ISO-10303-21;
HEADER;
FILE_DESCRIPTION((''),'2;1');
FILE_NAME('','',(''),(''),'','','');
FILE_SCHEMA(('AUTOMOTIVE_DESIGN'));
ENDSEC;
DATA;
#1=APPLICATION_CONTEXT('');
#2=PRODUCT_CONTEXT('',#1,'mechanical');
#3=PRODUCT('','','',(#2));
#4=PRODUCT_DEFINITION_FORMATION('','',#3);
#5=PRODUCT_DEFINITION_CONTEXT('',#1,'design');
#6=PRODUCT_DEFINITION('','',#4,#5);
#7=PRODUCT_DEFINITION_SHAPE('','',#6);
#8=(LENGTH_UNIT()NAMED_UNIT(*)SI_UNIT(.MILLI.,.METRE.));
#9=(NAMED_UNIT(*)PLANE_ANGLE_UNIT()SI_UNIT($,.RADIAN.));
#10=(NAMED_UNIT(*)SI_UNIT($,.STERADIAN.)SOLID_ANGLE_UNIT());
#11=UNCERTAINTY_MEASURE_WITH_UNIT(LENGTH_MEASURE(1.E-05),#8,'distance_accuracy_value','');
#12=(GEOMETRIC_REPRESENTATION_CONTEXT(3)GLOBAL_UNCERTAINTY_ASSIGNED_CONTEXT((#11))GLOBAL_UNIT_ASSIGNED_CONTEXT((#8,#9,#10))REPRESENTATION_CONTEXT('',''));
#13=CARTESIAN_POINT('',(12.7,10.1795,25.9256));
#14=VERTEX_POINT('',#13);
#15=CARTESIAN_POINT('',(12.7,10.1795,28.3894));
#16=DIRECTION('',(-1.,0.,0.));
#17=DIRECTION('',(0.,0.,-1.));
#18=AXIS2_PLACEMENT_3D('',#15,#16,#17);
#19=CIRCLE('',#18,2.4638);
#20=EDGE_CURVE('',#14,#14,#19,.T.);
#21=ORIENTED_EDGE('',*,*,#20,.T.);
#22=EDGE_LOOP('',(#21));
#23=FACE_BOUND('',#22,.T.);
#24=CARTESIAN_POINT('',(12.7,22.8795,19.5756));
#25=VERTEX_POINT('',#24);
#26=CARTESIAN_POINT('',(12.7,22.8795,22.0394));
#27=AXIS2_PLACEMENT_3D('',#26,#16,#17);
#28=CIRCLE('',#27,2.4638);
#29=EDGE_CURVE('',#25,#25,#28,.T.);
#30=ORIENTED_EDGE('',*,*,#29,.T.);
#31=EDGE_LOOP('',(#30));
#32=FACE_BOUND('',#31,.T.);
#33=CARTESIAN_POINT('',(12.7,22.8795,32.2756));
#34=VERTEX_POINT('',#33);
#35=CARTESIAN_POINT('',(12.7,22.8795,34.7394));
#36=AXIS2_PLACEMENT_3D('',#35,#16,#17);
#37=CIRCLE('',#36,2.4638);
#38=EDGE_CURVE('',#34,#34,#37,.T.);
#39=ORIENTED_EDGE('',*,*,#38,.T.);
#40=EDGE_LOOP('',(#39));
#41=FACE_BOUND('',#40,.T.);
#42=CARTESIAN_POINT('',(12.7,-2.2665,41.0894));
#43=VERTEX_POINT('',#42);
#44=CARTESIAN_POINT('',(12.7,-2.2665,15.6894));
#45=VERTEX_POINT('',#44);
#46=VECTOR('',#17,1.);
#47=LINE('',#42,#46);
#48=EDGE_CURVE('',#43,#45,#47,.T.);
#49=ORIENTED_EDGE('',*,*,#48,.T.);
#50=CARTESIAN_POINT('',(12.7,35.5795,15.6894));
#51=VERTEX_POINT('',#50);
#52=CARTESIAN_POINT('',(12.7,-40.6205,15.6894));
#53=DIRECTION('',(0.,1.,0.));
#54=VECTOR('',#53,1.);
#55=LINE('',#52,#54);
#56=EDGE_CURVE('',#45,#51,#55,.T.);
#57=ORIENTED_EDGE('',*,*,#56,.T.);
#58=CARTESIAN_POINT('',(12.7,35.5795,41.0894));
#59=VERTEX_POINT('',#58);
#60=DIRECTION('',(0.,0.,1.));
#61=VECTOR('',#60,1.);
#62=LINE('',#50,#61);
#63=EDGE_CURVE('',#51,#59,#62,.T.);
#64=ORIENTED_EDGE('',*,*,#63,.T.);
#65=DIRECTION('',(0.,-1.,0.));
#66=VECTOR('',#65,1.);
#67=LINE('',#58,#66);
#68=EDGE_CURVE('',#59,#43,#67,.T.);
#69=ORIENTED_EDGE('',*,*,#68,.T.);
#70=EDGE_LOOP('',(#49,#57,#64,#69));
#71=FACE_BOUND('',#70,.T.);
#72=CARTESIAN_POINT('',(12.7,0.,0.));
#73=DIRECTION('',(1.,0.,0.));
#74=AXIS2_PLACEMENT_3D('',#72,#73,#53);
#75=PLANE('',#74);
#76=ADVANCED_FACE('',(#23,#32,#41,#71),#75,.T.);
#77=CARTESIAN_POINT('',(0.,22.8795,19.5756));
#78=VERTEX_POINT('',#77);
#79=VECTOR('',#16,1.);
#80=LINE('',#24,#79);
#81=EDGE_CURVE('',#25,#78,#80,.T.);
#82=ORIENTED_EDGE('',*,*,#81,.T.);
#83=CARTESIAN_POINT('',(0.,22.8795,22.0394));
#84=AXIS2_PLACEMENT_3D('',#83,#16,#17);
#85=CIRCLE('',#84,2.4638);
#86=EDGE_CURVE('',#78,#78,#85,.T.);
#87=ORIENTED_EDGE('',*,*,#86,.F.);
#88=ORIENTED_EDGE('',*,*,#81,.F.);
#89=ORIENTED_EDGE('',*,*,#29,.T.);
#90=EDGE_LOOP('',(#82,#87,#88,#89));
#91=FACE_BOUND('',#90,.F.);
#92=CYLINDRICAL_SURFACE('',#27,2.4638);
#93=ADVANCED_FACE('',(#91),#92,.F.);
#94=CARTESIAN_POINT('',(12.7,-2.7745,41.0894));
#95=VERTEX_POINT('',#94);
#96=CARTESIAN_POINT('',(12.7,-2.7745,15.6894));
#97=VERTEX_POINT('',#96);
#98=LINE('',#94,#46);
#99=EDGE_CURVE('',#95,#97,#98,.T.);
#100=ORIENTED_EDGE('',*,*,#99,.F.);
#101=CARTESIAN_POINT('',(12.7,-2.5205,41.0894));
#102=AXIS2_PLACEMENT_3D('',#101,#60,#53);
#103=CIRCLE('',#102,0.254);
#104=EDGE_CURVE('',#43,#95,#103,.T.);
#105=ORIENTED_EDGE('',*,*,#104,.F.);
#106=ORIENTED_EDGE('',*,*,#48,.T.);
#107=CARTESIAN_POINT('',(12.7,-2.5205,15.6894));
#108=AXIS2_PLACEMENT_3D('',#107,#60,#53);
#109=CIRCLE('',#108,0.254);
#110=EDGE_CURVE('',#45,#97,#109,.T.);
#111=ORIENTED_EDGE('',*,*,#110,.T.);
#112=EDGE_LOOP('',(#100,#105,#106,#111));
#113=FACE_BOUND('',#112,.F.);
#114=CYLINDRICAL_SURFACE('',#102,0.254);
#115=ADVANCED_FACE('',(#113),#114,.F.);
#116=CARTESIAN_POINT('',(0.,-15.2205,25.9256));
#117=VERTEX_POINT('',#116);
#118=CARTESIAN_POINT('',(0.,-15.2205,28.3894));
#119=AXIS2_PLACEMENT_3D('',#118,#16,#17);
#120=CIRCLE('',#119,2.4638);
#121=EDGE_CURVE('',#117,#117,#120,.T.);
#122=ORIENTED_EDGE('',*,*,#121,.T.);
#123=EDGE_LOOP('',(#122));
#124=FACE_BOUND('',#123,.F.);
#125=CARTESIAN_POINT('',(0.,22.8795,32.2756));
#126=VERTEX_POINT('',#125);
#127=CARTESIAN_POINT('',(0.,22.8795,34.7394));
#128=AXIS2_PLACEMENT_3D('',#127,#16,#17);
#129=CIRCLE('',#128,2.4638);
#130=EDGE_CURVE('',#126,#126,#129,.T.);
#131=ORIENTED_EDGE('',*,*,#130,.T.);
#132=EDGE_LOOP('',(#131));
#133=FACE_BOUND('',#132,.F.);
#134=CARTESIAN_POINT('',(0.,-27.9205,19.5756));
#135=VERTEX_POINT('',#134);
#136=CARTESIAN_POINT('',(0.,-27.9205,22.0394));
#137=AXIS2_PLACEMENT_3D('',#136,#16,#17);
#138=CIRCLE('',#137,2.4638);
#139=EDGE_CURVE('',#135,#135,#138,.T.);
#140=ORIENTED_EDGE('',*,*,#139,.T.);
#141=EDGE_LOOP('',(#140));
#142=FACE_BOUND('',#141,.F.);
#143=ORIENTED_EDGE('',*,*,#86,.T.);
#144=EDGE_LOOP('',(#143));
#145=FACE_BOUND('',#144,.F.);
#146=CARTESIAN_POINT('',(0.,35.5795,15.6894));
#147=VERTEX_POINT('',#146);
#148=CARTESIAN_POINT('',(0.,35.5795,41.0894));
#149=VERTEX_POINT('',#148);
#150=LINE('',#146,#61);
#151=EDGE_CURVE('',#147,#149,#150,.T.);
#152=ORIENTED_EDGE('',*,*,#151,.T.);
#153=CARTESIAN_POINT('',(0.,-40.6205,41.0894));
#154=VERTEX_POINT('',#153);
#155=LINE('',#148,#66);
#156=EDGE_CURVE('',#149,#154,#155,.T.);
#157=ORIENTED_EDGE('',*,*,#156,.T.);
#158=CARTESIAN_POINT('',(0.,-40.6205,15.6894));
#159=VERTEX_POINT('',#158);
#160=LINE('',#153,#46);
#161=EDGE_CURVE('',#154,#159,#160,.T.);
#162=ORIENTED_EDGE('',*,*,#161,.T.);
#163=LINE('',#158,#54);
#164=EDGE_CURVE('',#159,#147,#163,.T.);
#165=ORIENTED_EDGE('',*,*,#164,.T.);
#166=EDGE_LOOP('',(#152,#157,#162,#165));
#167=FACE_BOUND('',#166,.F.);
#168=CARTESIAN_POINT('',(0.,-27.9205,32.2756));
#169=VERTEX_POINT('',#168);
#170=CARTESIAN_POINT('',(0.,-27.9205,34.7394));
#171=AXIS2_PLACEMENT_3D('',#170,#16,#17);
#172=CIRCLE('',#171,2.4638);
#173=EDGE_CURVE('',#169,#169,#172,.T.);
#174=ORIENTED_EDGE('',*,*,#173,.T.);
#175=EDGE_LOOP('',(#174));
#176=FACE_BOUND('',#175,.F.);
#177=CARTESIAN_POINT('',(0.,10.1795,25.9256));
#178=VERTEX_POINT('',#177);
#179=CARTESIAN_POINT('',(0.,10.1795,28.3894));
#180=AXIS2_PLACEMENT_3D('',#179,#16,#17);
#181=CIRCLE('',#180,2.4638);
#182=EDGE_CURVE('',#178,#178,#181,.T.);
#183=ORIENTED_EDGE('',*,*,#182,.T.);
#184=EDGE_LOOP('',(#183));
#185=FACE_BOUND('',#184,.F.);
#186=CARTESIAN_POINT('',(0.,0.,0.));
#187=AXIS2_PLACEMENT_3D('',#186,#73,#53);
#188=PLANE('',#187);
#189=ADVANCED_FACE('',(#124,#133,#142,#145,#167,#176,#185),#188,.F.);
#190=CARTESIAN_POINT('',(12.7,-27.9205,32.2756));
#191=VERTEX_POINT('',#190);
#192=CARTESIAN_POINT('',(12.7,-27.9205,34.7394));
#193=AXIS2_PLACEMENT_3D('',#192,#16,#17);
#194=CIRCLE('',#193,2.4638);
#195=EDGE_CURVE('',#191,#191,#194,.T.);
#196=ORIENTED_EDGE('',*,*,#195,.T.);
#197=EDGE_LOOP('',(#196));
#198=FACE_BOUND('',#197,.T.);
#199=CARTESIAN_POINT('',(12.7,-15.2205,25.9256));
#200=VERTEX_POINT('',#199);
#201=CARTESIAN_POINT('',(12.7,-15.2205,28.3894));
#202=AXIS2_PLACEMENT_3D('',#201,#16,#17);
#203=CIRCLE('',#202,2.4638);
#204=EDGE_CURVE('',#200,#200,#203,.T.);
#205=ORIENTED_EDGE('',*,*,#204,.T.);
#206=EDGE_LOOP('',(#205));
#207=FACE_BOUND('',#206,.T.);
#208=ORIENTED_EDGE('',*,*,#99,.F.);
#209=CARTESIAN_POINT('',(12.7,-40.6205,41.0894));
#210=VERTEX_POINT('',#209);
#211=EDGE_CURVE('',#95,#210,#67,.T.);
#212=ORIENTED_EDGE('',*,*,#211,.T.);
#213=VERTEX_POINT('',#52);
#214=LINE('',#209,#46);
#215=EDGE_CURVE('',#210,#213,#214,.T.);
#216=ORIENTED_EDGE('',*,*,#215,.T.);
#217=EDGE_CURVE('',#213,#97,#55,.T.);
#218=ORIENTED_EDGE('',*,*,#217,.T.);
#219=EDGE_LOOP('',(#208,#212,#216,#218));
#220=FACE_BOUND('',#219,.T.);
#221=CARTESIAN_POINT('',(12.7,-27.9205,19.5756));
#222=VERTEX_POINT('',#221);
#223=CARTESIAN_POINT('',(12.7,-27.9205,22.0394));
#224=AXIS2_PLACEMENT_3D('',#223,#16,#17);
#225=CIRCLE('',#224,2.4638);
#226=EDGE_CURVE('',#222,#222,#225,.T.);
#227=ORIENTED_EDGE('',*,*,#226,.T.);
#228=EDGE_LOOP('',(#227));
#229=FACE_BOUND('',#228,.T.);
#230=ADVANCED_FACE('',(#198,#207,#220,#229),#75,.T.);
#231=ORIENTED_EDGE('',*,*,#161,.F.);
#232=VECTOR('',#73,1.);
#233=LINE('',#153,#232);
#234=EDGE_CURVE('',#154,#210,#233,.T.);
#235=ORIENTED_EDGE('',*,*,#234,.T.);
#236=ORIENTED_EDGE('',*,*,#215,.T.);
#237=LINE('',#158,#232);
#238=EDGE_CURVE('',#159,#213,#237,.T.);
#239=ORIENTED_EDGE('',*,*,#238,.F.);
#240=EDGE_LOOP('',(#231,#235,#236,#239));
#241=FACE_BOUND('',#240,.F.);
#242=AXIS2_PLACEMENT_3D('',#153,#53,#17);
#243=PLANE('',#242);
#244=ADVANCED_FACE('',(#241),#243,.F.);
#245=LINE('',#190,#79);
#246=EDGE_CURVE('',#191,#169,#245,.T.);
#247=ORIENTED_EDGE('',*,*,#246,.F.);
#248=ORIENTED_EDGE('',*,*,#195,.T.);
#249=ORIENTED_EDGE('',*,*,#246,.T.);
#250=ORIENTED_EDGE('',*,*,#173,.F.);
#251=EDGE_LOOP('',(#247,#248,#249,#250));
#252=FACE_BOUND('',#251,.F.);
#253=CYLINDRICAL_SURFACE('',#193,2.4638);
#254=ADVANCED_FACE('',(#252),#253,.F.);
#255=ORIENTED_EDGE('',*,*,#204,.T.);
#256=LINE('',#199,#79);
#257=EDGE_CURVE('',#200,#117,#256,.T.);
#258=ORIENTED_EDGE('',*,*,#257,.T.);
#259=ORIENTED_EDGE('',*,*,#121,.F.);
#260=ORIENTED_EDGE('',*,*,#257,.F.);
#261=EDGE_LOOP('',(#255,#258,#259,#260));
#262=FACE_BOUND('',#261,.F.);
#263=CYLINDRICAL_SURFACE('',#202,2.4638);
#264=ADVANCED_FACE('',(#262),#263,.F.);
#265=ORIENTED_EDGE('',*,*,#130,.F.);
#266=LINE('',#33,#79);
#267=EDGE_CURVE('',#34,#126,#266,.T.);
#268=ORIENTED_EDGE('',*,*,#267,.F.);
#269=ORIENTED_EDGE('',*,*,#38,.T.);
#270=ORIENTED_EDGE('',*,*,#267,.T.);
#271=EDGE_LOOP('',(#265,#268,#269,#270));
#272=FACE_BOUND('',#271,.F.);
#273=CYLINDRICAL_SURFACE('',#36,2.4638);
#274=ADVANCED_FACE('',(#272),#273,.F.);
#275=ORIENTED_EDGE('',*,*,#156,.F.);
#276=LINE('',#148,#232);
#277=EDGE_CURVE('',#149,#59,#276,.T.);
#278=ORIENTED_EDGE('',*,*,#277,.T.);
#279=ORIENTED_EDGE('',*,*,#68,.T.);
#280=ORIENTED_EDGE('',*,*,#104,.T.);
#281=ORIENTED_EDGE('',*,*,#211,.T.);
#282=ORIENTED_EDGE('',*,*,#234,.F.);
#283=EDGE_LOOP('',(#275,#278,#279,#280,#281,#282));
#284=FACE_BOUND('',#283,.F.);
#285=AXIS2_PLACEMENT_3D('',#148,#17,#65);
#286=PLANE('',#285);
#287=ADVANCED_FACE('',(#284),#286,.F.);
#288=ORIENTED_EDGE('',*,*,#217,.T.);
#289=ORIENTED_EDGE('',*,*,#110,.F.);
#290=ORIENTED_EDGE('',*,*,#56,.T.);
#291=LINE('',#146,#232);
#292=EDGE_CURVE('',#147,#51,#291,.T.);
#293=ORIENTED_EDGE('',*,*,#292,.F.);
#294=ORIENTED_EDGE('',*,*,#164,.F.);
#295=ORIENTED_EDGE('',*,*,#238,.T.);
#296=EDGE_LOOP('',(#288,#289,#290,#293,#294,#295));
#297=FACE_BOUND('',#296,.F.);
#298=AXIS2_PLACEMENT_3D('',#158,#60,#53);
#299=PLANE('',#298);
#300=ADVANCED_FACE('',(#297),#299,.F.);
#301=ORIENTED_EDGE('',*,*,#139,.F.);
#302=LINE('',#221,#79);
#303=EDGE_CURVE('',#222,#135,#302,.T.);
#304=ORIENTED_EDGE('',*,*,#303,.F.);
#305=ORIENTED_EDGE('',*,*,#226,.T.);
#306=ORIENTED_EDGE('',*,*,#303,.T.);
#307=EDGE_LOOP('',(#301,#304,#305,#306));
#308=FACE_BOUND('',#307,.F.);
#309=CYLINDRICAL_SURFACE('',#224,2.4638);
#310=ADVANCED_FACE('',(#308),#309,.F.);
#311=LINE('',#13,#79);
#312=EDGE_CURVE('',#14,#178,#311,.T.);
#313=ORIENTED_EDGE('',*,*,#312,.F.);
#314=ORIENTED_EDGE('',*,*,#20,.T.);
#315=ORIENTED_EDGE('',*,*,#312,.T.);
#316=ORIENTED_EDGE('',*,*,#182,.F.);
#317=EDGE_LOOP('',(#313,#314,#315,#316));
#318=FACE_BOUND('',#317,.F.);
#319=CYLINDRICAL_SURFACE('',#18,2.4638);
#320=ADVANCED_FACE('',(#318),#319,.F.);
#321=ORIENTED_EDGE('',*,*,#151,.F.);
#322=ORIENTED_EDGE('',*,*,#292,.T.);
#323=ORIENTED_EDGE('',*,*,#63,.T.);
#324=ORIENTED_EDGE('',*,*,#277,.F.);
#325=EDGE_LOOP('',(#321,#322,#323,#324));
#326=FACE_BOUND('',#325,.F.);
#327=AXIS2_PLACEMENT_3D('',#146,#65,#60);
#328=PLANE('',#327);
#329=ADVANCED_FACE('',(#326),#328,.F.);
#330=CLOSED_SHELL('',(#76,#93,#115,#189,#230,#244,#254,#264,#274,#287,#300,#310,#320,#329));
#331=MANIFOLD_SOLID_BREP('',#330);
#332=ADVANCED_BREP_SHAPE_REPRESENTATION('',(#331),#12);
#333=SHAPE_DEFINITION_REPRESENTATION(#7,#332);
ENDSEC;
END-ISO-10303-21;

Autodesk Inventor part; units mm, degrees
ref_plane "YZ Plane" through (0, 0, 0) normal (1, 0, 0) x (0, 1, 0)
ref_plane "XZ Plane" through (0, 0, 0) normal (0, 1, 0) x (-1, 0, 0)
ref_plane "XY Plane" through (0, 0, 0) normal (0, 0, 1) x (1, 0, 0)
sketch "Sketch1" plane through (0, 0, 0) normal (1, 0, 0) x (0, 1, 0)
  line L0 (35.5795, 41.0894) -> (-40.6205, 41.0894)
  line L1 (-40.6205, 41.0894) -> (-40.6205, 15.6894)
  line L2 (-40.6205, 15.6894) -> (35.5795, 15.6894)
  line L3 (35.5795, 15.6894) -> (35.5795, 41.0894)
  point P0 (0, 0)
  dimension "d0" = 76.2
  dimension "d1" = 25.4
extrude "Extrusion1" add sketch "Sketch1" along normal blind 12.7
sketch "Sketch2" plane through (12.7, 0, 0) normal (1, 0, 0) x (0, 0, -1)
  line L0 (-15.6894, -40.6205) -> (-15.6894, 35.5795) projected
  line L1 (-41.0894, 35.5795) -> (-41.0894, -40.6205) projected
  line L2 (-15.6894, 35.5795) -> (-41.0894, 35.5795) projected
  line L3 (-41.0894, -40.6205) -> (-15.6894, -40.6205) projected
  point P0 (0, 0)
  point P1 (-34.7394, 22.8795)
  point P2 (-22.0394, 22.8795)
  point P3 (-34.7394, -27.9205)
  point P4 (-22.0394, -27.9205)
  point P5 (-28.3894, -15.2205)
  point P6 (-28.3894, 10.1795)
  dimension "d4" = 0
  dimension "d5" = 0
  dimension "d6" = 6.35
  dimension "d7" = 6.35
  dimension "d8" = 12.7
  dimension "d9" = 25.4
  dimension "d10" = 12.7
  dimension "d11" = 25.4
  dimension "d12" = 12.7
  dimension "d13" = 6.35
  dimension "d14" = 6.35
  dimension "d15" = 12.7
hole "Hole1" at (12.7, 22.8795, 34.7394) at (12.7, 22.8795, 22.0394) at (12.7, -27.9205, 34.7394) at (12.7, -27.9205, 22.0394) at (12.7, -15.2205, 28.3894) at (12.7, 10.1795, 28.3894) direction (-1, 0, 0) diameter 4.9276 end through all
sketch "Sketch3" plane through (0, -40.6205, 41.0894) normal (0, 0, 1) x (1, 0, 0)
  arc A0 (12.7, 38.354) -> (12.7, 37.846) centre (12.7, 38.1) ccw
  line L0 (12.7, 76.2) -> (12.7, 0) projected
  line L1 (0, 76.2) -> (12.7, 76.2) projected
  point P0 (0, 40.6205)
  dimension "d23" = 0.254
  dimension "d24" = 38.1
  dimension "d27" = 0
extrude "Extrusion2" cut sketch "Sketch3" against normal blind 26.9875
properties part number "CabinetBraket"
